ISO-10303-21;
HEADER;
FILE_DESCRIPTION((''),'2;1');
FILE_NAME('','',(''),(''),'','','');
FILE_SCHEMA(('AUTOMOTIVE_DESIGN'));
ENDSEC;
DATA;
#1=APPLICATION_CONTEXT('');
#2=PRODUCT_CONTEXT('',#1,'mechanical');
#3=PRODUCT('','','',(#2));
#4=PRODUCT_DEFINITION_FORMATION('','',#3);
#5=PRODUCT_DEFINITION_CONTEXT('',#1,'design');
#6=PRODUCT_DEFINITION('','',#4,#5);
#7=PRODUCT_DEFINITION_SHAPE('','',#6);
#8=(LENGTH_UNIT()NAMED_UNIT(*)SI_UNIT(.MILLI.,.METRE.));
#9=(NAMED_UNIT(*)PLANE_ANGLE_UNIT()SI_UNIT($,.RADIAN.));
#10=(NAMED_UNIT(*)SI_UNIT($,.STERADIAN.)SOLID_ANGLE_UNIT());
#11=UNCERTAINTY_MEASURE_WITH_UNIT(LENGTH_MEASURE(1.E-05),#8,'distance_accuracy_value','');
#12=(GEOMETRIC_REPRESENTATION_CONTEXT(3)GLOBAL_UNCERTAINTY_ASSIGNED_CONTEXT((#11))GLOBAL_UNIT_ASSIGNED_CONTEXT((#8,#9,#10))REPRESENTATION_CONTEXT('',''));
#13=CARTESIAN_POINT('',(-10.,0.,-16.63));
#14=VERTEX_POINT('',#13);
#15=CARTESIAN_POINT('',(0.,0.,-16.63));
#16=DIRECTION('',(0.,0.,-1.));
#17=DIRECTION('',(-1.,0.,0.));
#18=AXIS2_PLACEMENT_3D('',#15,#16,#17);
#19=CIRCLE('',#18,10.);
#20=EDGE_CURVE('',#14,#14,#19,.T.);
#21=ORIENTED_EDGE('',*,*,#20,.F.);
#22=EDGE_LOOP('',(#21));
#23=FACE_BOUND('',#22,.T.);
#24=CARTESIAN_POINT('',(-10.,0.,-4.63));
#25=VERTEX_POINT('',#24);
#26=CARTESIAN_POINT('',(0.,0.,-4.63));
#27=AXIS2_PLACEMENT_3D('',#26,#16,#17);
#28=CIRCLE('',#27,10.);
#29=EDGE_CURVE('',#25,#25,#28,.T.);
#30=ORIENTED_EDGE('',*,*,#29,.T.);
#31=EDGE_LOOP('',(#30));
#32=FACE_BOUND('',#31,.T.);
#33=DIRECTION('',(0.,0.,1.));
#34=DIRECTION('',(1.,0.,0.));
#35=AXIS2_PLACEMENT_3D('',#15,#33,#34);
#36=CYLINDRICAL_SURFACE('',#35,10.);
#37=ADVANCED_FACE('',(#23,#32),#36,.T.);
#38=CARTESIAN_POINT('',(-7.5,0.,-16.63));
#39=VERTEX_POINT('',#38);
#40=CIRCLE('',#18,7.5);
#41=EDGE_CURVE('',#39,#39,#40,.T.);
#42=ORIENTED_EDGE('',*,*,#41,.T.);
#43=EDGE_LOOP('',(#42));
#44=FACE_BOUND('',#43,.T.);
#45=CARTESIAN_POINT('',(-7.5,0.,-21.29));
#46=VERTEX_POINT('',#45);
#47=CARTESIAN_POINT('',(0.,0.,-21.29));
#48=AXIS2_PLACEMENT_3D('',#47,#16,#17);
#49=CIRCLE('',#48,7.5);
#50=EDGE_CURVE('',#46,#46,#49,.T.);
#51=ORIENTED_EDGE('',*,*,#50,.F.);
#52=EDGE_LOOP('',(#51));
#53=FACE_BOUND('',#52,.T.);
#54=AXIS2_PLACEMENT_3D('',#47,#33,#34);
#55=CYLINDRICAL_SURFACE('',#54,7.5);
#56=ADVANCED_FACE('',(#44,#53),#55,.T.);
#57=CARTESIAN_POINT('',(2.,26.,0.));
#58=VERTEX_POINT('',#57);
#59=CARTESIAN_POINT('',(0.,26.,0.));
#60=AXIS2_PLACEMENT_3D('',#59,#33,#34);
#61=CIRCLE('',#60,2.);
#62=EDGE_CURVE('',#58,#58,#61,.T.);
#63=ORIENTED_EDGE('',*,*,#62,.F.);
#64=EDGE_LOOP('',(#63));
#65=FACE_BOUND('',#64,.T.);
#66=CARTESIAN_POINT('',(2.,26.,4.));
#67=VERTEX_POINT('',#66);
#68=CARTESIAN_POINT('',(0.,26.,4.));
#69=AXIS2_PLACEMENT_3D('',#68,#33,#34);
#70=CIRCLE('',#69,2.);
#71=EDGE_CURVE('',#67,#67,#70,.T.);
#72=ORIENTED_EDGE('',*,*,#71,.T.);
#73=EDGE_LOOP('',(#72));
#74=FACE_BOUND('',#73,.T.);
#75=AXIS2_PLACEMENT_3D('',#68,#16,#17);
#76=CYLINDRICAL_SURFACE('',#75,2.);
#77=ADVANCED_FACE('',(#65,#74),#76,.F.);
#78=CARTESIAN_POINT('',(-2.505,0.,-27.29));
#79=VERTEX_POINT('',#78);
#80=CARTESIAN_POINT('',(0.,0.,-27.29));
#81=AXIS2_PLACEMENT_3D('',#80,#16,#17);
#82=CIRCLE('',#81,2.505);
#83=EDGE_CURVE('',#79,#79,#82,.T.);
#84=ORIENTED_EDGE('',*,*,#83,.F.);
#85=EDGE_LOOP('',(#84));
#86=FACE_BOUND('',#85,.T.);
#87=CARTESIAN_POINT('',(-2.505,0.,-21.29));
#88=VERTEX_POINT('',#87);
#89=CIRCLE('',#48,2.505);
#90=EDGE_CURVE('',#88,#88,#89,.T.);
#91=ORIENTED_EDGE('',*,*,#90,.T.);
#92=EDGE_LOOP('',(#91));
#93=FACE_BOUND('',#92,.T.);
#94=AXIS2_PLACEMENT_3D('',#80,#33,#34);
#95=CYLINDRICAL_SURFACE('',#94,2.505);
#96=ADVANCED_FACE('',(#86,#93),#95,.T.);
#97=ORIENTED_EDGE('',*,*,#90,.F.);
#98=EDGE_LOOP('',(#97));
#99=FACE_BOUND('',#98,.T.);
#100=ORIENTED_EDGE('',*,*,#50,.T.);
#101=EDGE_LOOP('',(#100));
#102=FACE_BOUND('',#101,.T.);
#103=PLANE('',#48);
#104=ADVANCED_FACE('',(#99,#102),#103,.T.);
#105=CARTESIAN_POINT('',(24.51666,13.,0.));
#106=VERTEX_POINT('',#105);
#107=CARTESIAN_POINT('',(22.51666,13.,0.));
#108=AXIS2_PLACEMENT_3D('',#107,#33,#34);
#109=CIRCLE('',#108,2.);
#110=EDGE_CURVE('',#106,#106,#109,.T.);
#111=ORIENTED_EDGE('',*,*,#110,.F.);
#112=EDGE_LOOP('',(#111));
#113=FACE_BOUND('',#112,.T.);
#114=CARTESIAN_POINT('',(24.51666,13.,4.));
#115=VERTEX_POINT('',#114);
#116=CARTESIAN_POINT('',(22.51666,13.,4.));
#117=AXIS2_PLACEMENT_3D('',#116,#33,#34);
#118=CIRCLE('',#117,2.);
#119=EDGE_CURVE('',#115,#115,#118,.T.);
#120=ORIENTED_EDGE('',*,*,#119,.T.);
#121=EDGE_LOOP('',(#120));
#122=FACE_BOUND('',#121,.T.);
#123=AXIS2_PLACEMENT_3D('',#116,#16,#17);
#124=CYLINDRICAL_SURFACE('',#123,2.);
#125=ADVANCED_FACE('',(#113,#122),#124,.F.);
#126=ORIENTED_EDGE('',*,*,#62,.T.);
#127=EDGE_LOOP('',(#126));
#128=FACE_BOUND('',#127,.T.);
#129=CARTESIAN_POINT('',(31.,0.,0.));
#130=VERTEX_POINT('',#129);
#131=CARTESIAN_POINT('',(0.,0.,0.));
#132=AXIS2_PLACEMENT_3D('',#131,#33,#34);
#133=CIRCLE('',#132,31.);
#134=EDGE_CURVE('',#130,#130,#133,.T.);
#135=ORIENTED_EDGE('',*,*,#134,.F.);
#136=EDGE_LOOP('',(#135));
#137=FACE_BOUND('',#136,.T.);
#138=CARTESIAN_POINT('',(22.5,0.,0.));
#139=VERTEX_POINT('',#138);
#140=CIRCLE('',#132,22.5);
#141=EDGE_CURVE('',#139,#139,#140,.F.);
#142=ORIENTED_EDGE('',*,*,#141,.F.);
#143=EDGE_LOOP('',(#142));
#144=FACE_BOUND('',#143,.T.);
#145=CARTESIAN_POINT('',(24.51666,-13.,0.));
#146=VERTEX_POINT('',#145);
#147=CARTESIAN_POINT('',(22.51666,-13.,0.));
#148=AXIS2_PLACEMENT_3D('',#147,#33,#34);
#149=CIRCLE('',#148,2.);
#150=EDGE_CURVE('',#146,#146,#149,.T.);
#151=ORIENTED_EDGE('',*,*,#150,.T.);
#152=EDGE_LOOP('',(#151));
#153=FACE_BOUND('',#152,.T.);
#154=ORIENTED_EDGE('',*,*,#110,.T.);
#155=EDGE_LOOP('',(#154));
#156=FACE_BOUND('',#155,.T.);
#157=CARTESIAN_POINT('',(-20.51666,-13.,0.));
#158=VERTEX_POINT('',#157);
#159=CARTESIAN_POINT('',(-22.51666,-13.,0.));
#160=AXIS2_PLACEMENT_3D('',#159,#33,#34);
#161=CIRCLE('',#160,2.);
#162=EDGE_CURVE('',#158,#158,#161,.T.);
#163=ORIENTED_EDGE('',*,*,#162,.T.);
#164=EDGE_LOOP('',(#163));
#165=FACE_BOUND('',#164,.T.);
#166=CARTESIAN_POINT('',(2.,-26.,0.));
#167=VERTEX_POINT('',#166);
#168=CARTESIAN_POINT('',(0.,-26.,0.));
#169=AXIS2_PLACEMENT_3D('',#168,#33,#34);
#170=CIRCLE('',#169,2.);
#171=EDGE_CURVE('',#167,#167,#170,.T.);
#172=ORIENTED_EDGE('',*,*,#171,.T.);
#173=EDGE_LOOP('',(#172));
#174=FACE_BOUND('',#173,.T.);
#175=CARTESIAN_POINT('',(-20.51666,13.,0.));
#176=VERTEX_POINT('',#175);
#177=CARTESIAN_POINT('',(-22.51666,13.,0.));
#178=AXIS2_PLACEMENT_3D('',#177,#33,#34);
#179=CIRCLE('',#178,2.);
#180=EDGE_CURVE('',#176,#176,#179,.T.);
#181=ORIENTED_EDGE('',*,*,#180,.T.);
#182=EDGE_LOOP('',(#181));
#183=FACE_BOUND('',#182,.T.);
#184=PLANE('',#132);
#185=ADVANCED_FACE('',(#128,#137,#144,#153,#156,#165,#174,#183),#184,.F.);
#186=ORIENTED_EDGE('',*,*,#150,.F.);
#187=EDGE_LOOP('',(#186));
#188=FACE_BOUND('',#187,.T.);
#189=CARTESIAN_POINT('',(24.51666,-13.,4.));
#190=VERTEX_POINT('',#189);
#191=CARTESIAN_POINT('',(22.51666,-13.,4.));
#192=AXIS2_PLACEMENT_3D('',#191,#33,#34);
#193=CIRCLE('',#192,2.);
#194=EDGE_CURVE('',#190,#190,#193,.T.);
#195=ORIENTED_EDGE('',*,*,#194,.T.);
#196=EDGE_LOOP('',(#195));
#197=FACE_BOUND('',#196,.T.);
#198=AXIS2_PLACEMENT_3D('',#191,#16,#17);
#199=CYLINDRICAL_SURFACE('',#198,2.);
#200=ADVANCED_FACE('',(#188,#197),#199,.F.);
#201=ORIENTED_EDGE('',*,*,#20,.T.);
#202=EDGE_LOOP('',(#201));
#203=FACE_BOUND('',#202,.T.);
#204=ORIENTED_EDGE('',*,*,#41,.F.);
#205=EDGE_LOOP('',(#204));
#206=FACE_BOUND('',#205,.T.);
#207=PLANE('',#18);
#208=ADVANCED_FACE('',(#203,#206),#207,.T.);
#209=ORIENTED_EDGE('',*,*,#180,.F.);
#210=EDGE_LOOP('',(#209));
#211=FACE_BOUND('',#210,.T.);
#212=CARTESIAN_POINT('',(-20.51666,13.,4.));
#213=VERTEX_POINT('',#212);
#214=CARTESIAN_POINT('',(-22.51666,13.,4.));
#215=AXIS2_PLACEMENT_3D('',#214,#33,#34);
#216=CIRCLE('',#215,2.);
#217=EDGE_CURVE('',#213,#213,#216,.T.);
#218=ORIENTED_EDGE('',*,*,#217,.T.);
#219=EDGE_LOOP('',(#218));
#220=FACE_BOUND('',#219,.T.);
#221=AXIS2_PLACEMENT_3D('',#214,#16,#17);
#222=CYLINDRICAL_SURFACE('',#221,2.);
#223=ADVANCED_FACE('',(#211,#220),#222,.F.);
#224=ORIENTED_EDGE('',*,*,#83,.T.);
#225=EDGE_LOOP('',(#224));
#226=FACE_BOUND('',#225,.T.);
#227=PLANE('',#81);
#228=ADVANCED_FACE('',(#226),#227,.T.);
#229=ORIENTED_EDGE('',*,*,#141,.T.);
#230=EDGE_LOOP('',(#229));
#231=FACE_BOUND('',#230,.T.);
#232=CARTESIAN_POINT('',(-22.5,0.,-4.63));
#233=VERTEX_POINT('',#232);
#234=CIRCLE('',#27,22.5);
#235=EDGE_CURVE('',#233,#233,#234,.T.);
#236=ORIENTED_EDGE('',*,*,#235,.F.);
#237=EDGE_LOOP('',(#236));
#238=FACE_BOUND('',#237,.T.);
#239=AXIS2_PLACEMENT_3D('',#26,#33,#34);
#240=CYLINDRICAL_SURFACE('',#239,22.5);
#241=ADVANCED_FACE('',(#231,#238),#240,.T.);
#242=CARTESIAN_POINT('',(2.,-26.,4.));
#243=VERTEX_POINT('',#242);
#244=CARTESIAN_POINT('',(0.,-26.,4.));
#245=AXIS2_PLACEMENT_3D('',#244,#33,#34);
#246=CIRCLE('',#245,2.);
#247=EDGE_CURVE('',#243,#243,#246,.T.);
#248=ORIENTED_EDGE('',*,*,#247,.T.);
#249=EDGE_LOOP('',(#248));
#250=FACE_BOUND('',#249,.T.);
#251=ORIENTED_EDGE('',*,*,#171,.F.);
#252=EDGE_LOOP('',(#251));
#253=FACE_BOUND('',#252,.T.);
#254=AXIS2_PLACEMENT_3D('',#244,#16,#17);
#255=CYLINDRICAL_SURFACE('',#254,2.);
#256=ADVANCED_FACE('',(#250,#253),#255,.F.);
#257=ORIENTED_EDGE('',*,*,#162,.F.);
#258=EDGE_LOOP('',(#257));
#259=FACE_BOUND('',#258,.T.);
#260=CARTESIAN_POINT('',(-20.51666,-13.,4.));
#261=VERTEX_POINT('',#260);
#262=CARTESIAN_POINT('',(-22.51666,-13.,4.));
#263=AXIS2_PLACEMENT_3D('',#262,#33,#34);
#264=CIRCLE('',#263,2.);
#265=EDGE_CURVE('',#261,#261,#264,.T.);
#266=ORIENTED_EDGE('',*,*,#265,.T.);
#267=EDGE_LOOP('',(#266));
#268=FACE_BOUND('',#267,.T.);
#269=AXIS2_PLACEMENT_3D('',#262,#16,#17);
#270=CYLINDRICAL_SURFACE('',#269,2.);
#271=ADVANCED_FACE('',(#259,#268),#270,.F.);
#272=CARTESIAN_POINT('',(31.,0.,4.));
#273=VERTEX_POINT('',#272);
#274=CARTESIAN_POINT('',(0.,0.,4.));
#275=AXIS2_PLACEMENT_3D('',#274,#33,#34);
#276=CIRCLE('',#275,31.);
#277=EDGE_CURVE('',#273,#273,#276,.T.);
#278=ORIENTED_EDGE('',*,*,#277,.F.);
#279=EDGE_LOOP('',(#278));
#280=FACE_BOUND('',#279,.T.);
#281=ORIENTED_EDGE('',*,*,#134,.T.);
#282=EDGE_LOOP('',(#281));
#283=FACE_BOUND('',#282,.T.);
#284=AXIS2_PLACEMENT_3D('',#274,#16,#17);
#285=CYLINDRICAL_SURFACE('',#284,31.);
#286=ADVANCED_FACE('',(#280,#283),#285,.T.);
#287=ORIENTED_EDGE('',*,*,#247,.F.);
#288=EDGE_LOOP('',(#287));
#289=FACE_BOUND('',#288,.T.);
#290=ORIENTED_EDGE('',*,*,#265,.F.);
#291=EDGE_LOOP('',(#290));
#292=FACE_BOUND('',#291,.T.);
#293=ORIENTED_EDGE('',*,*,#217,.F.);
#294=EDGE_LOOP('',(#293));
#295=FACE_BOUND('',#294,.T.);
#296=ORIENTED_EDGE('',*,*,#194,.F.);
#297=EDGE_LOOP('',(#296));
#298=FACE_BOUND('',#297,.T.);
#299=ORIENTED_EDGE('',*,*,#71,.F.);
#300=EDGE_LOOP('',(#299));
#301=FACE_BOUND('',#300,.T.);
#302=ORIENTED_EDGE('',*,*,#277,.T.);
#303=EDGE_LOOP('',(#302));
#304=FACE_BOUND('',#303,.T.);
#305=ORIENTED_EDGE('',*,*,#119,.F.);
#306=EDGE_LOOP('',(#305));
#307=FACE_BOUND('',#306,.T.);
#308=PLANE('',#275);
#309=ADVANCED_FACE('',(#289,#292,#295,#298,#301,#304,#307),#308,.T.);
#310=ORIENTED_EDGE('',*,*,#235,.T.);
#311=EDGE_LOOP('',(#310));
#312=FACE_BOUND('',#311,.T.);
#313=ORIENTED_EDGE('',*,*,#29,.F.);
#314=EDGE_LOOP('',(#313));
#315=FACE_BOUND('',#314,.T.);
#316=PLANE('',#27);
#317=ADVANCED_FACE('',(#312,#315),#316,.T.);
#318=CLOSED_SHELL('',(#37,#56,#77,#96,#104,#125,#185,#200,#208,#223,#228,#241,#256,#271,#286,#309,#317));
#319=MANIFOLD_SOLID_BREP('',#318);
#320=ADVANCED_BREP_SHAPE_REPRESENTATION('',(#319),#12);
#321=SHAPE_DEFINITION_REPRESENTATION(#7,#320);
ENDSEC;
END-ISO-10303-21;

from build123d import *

# Parameters (mm, degrees)
SKETCH1_R           = 31
SKETCH1_R_2         = 2
BOSS_EXTRUDE1_DEPTH = 4
SKETCH2_R           = 22.5
BOSS_EXTRUDE2_DEPTH = 4.63
SKETCH3_R           = 10
BOSS_EXTRUDE3_DEPTH = 12
SKETCH4_R           = 7.5
BOSS_EXTRUDE4_DEPTH = 4.66
SKETCH7_R           = 2.505
BOSS_EXTRUDE5_DEPTH = 6


with BuildPart() as part:
    # Sketch1 → Boss-Extrude1 (new body)
    with BuildSketch(Plane.XY):
        Circle(SKETCH1_R)
        with Locations((0, 26)):
            Circle(SKETCH1_R_2, mode=Mode.SUBTRACT)
        with Locations((22.516660498, 13)):
            Circle(SKETCH1_R_2, mode=Mode.SUBTRACT)
        with Locations((22.516660498, -13)):
            Circle(SKETCH1_R_2, mode=Mode.SUBTRACT)
        with Locations((0, -26)):
            Circle(SKETCH1_R_2, mode=Mode.SUBTRACT)
        with Locations((-22.516660498, -13)):
            Circle(SKETCH1_R_2, mode=Mode.SUBTRACT)
        with Locations((-22.516660498, 13)):
            Circle(SKETCH1_R_2, mode=Mode.SUBTRACT)
    extrude(amount=BOSS_EXTRUDE1_DEPTH)

    # Sketch2 → Boss-Extrude2 (add)
    with BuildSketch(Plane(origin=(0, 0, 0), x_dir=(-1, 0, 0), z_dir=(0, 0, -1))):
        with Locations(Location((0, 0, 0), (0, 0, 180))):
            Circle(SKETCH2_R)
    extrude(amount=BOSS_EXTRUDE2_DEPTH)

    # Sketch3 → Boss-Extrude3 (add)
    with BuildSketch(Plane(origin=(0, 0, -4.63), x_dir=(-1, 0, 0), z_dir=(0, 0, -1))):
        Circle(SKETCH3_R)
    extrude(amount=BOSS_EXTRUDE3_DEPTH)

    # Sketch4 → Boss-Extrude4 (add)
    with BuildSketch(Plane(origin=(0, 0, -16.63), x_dir=(-1, 0, 0), z_dir=(0, 0, -1))):
        Circle(SKETCH4_R)
    extrude(amount=BOSS_EXTRUDE4_DEPTH)

    # Sketch7 → Boss-Extrude5 (add)
    with BuildSketch(Plane(origin=(0, 0, -21.29), x_dir=(-1, 0, 0), z_dir=(0, 0, -1))):
        Circle(SKETCH7_R)
    extrude(amount=BOSS_EXTRUDE5_DEPTH)


solid = part.part
